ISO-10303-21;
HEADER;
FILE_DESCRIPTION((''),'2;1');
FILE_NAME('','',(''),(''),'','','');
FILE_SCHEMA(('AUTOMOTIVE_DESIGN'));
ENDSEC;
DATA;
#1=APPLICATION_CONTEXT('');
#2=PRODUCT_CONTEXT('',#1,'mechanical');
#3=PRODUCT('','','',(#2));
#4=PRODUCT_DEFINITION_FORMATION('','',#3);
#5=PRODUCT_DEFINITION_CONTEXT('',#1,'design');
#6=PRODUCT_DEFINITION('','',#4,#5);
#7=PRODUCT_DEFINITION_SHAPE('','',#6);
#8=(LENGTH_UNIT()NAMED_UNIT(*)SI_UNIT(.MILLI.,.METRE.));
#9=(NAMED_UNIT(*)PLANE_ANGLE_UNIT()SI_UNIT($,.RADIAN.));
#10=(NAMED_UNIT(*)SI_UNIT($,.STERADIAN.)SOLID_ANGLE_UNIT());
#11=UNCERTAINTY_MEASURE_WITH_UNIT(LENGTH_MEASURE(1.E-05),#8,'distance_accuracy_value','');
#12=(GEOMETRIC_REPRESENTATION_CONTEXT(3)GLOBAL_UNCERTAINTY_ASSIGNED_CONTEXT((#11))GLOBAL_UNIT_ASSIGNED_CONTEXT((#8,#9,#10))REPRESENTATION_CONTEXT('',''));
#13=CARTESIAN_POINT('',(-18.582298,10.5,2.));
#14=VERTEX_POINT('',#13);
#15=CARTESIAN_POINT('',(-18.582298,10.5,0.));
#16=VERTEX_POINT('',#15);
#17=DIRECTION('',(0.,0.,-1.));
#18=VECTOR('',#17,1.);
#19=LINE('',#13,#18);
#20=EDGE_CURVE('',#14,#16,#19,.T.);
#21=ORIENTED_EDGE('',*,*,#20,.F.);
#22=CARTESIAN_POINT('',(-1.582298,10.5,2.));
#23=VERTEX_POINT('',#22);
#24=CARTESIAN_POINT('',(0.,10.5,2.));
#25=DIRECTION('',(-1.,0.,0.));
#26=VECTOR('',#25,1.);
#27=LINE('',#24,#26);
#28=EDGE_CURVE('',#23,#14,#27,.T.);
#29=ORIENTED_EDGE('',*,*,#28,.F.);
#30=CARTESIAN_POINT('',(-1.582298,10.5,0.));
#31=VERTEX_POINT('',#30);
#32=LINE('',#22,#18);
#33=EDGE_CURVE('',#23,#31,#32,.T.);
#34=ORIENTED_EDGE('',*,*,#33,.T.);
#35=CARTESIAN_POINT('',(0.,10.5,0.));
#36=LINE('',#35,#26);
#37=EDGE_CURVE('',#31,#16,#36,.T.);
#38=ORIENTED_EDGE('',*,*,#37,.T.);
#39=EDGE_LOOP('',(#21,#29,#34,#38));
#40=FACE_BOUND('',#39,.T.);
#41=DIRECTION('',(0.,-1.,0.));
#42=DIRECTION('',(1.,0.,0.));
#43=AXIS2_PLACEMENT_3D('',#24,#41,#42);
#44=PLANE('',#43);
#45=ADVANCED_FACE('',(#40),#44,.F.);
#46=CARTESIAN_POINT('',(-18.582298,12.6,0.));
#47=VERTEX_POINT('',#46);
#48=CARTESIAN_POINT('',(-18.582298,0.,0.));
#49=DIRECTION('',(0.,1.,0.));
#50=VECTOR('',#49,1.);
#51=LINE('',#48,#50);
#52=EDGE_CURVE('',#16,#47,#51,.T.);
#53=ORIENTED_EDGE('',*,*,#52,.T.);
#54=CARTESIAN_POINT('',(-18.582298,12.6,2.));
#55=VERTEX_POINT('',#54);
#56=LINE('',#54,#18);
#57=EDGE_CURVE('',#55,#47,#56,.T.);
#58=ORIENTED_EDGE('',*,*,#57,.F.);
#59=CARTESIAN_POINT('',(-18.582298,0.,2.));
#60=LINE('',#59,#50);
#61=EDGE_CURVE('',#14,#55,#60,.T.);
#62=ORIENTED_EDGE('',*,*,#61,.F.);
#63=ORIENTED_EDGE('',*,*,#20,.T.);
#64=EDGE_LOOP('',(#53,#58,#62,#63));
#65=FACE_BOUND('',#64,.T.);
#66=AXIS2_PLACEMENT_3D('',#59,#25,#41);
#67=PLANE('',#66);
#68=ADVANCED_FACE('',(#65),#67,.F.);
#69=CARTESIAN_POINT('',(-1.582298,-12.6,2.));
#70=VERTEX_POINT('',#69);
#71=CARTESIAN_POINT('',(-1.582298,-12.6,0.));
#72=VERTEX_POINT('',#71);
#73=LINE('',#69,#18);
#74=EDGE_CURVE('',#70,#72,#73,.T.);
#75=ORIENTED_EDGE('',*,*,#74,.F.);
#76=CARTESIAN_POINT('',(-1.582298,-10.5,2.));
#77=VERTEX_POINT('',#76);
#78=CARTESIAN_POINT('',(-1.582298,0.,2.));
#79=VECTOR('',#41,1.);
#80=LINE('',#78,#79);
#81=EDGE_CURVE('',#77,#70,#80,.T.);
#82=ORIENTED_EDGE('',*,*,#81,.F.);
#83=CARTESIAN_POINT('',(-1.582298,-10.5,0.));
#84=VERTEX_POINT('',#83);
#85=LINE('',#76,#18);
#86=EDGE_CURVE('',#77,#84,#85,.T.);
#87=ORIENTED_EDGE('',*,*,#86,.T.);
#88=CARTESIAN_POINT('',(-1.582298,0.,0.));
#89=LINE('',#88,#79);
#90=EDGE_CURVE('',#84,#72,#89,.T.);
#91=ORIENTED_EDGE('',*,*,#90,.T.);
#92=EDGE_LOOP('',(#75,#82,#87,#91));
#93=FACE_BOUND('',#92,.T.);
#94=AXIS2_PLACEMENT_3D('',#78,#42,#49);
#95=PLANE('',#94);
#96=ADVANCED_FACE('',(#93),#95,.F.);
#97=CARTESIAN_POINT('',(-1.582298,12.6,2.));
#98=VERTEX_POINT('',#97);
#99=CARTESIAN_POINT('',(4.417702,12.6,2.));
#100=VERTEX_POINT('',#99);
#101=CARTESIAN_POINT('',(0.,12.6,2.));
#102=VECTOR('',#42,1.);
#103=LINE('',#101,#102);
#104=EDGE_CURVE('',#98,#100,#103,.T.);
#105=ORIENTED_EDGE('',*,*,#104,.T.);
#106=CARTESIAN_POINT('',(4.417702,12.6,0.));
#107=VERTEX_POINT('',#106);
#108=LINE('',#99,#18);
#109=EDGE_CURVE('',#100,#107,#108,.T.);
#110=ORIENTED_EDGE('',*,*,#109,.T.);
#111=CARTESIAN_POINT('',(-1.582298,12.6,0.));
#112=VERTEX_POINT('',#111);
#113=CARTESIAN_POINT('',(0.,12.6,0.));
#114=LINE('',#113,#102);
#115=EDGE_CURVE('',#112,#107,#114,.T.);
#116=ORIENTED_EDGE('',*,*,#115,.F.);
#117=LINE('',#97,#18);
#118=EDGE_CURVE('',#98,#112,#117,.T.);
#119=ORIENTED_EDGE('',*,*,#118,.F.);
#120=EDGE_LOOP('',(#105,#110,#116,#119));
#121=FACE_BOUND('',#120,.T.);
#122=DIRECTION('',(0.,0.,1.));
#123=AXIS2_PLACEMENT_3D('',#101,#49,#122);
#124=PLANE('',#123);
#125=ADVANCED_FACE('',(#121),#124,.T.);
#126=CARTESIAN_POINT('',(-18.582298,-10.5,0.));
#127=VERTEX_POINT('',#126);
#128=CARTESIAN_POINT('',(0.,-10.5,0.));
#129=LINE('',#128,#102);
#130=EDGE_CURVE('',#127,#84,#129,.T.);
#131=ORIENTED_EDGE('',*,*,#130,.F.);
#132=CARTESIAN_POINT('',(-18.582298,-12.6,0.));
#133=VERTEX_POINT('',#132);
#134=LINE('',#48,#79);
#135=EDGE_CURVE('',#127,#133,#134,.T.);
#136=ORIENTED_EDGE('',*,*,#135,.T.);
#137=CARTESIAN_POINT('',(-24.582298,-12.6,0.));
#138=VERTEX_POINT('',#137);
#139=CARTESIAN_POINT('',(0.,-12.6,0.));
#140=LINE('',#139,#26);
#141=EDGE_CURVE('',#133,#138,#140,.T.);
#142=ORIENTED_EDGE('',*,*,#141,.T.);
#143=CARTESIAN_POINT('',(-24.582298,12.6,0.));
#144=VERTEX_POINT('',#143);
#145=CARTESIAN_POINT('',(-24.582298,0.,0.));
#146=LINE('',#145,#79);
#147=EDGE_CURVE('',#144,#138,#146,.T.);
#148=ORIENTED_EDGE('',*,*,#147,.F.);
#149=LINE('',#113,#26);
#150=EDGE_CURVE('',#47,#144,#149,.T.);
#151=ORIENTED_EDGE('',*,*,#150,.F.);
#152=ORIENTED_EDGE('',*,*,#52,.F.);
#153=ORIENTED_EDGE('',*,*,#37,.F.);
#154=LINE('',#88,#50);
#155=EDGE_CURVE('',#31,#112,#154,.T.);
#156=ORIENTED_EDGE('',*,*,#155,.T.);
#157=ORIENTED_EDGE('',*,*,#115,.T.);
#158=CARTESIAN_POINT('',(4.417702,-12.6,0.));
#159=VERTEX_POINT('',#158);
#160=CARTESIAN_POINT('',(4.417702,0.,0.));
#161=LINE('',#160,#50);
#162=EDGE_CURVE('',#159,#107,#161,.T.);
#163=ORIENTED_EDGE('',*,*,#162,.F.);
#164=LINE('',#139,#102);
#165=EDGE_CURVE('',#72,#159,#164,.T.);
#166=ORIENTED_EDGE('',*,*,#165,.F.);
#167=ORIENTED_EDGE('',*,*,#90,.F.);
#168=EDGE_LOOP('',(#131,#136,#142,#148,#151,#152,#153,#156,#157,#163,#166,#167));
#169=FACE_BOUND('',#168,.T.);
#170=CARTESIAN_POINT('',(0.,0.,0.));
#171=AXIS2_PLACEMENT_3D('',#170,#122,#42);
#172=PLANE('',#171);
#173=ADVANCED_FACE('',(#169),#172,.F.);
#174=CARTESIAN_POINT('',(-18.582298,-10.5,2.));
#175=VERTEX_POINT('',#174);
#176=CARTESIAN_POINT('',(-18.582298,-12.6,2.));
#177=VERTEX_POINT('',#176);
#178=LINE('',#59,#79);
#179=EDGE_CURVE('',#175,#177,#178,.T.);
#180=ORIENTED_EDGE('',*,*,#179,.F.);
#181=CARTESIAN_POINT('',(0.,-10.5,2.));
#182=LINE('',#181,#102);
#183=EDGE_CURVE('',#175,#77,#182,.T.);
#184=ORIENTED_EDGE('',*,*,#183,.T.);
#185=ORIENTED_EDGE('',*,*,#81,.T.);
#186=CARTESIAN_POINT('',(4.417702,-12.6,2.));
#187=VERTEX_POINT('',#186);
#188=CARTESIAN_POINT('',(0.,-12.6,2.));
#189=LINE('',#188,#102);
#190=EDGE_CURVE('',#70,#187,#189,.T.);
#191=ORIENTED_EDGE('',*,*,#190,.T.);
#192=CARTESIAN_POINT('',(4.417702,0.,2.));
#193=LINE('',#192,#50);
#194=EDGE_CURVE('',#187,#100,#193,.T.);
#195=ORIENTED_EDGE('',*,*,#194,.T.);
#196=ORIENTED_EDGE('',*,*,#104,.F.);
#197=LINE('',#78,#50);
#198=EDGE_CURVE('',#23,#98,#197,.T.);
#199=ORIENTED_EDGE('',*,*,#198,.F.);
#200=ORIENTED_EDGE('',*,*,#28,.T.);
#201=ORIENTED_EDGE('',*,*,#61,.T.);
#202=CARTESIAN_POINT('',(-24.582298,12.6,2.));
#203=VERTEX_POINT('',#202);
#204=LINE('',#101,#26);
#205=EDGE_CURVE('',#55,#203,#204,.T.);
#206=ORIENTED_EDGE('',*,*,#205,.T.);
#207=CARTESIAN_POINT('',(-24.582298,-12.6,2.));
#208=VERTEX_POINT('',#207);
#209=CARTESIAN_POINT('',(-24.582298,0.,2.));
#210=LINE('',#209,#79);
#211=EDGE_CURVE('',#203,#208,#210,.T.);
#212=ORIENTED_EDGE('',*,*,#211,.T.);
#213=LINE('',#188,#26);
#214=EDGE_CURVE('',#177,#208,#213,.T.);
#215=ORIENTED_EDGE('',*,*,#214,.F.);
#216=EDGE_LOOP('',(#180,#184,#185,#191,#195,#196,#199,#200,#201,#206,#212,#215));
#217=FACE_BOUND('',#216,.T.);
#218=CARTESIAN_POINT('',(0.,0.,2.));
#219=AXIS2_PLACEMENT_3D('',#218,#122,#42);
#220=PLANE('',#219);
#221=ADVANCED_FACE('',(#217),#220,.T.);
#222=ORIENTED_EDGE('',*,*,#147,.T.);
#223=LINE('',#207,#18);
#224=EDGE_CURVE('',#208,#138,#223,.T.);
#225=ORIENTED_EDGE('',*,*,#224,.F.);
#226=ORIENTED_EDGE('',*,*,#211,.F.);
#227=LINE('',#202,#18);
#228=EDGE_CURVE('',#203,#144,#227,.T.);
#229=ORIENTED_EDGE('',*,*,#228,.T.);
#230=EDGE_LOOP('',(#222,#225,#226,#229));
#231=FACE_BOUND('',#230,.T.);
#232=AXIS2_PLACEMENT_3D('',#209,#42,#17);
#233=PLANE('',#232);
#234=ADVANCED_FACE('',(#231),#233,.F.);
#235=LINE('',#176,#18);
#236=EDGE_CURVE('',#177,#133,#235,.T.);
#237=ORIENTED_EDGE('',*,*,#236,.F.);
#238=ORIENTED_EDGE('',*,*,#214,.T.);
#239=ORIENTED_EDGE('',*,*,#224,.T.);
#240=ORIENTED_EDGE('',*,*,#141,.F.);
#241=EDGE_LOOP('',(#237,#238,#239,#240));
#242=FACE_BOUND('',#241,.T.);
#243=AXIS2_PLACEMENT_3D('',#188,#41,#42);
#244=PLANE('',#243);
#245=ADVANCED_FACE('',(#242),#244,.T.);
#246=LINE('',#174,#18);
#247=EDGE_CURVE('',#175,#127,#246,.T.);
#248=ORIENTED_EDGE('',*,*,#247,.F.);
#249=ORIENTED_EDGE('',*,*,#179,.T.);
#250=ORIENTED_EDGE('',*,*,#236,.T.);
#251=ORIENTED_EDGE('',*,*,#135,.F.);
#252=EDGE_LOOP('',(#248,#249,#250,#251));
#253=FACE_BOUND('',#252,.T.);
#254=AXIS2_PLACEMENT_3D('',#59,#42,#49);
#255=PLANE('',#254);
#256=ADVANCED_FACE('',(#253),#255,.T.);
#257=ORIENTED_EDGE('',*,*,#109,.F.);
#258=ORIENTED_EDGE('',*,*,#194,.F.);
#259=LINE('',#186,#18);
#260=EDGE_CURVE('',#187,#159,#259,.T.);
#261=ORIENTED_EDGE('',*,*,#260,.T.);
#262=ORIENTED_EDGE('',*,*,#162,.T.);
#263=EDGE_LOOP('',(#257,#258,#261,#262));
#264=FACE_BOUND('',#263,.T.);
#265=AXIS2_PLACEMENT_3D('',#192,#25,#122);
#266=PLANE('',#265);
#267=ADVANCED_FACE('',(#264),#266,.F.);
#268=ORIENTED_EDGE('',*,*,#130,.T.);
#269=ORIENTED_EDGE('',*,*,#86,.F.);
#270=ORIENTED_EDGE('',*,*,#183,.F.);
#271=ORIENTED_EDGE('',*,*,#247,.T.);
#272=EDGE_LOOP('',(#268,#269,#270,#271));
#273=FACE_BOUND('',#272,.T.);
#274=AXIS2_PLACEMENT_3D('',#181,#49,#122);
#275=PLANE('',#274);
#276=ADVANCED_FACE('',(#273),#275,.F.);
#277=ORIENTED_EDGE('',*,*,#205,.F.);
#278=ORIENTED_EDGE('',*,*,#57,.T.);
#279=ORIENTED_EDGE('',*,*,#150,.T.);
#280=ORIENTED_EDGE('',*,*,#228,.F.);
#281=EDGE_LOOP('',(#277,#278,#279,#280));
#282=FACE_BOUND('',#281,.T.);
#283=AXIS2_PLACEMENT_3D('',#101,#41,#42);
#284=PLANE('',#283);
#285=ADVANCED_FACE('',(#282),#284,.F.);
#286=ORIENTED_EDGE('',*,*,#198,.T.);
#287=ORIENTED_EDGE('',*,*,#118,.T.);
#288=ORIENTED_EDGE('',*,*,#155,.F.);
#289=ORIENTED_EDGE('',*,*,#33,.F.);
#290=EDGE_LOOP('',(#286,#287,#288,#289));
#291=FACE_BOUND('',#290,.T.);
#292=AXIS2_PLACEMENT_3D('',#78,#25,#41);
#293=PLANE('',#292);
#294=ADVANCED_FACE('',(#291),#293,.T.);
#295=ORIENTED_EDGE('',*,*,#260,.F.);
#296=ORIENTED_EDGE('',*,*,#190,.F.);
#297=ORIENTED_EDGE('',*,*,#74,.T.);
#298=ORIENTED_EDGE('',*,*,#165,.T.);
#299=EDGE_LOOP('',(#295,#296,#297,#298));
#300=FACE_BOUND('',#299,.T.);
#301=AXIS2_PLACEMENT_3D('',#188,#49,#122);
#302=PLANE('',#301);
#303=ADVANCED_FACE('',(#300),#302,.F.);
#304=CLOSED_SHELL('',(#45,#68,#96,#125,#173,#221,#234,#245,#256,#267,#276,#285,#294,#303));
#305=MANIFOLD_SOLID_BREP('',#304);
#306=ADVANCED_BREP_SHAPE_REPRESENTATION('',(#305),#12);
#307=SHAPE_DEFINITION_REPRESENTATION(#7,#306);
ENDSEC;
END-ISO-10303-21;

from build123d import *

# Parameters (mm, degrees)
SKETCH_2_W      = 29
SKETCH_2_H      = 21
SKETCH_2_W_2    = 6
SKETCH_2_H_2    = 2.1
EXTRUDE_1_DEPTH = 2


with BuildPart() as part:
    # 草图2 → 凸台-拉伸1 (new body)
    with BuildSketch(Plane.XY):
        with Locations((-10.082297853, 0)):
            Rectangle(SKETCH_2_W, SKETCH_2_H)
        with Locations((-21.582297853, 11.55)):
            Rectangle(SKETCH_2_W_2, SKETCH_2_H_2)
        with Locations((1.417702147, 11.55)):
            Rectangle(SKETCH_2_W_2, SKETCH_2_H_2)
        with Locations((-21.582297853, -11.55)):
            Rectangle(SKETCH_2_W_2, SKETCH_2_H_2)
        with Locations((1.417702147, -11.55)):
            Rectangle(SKETCH_2_W_2, SKETCH_2_H_2)
    extrude(amount=EXTRUDE_1_DEPTH)


solid = part.part
